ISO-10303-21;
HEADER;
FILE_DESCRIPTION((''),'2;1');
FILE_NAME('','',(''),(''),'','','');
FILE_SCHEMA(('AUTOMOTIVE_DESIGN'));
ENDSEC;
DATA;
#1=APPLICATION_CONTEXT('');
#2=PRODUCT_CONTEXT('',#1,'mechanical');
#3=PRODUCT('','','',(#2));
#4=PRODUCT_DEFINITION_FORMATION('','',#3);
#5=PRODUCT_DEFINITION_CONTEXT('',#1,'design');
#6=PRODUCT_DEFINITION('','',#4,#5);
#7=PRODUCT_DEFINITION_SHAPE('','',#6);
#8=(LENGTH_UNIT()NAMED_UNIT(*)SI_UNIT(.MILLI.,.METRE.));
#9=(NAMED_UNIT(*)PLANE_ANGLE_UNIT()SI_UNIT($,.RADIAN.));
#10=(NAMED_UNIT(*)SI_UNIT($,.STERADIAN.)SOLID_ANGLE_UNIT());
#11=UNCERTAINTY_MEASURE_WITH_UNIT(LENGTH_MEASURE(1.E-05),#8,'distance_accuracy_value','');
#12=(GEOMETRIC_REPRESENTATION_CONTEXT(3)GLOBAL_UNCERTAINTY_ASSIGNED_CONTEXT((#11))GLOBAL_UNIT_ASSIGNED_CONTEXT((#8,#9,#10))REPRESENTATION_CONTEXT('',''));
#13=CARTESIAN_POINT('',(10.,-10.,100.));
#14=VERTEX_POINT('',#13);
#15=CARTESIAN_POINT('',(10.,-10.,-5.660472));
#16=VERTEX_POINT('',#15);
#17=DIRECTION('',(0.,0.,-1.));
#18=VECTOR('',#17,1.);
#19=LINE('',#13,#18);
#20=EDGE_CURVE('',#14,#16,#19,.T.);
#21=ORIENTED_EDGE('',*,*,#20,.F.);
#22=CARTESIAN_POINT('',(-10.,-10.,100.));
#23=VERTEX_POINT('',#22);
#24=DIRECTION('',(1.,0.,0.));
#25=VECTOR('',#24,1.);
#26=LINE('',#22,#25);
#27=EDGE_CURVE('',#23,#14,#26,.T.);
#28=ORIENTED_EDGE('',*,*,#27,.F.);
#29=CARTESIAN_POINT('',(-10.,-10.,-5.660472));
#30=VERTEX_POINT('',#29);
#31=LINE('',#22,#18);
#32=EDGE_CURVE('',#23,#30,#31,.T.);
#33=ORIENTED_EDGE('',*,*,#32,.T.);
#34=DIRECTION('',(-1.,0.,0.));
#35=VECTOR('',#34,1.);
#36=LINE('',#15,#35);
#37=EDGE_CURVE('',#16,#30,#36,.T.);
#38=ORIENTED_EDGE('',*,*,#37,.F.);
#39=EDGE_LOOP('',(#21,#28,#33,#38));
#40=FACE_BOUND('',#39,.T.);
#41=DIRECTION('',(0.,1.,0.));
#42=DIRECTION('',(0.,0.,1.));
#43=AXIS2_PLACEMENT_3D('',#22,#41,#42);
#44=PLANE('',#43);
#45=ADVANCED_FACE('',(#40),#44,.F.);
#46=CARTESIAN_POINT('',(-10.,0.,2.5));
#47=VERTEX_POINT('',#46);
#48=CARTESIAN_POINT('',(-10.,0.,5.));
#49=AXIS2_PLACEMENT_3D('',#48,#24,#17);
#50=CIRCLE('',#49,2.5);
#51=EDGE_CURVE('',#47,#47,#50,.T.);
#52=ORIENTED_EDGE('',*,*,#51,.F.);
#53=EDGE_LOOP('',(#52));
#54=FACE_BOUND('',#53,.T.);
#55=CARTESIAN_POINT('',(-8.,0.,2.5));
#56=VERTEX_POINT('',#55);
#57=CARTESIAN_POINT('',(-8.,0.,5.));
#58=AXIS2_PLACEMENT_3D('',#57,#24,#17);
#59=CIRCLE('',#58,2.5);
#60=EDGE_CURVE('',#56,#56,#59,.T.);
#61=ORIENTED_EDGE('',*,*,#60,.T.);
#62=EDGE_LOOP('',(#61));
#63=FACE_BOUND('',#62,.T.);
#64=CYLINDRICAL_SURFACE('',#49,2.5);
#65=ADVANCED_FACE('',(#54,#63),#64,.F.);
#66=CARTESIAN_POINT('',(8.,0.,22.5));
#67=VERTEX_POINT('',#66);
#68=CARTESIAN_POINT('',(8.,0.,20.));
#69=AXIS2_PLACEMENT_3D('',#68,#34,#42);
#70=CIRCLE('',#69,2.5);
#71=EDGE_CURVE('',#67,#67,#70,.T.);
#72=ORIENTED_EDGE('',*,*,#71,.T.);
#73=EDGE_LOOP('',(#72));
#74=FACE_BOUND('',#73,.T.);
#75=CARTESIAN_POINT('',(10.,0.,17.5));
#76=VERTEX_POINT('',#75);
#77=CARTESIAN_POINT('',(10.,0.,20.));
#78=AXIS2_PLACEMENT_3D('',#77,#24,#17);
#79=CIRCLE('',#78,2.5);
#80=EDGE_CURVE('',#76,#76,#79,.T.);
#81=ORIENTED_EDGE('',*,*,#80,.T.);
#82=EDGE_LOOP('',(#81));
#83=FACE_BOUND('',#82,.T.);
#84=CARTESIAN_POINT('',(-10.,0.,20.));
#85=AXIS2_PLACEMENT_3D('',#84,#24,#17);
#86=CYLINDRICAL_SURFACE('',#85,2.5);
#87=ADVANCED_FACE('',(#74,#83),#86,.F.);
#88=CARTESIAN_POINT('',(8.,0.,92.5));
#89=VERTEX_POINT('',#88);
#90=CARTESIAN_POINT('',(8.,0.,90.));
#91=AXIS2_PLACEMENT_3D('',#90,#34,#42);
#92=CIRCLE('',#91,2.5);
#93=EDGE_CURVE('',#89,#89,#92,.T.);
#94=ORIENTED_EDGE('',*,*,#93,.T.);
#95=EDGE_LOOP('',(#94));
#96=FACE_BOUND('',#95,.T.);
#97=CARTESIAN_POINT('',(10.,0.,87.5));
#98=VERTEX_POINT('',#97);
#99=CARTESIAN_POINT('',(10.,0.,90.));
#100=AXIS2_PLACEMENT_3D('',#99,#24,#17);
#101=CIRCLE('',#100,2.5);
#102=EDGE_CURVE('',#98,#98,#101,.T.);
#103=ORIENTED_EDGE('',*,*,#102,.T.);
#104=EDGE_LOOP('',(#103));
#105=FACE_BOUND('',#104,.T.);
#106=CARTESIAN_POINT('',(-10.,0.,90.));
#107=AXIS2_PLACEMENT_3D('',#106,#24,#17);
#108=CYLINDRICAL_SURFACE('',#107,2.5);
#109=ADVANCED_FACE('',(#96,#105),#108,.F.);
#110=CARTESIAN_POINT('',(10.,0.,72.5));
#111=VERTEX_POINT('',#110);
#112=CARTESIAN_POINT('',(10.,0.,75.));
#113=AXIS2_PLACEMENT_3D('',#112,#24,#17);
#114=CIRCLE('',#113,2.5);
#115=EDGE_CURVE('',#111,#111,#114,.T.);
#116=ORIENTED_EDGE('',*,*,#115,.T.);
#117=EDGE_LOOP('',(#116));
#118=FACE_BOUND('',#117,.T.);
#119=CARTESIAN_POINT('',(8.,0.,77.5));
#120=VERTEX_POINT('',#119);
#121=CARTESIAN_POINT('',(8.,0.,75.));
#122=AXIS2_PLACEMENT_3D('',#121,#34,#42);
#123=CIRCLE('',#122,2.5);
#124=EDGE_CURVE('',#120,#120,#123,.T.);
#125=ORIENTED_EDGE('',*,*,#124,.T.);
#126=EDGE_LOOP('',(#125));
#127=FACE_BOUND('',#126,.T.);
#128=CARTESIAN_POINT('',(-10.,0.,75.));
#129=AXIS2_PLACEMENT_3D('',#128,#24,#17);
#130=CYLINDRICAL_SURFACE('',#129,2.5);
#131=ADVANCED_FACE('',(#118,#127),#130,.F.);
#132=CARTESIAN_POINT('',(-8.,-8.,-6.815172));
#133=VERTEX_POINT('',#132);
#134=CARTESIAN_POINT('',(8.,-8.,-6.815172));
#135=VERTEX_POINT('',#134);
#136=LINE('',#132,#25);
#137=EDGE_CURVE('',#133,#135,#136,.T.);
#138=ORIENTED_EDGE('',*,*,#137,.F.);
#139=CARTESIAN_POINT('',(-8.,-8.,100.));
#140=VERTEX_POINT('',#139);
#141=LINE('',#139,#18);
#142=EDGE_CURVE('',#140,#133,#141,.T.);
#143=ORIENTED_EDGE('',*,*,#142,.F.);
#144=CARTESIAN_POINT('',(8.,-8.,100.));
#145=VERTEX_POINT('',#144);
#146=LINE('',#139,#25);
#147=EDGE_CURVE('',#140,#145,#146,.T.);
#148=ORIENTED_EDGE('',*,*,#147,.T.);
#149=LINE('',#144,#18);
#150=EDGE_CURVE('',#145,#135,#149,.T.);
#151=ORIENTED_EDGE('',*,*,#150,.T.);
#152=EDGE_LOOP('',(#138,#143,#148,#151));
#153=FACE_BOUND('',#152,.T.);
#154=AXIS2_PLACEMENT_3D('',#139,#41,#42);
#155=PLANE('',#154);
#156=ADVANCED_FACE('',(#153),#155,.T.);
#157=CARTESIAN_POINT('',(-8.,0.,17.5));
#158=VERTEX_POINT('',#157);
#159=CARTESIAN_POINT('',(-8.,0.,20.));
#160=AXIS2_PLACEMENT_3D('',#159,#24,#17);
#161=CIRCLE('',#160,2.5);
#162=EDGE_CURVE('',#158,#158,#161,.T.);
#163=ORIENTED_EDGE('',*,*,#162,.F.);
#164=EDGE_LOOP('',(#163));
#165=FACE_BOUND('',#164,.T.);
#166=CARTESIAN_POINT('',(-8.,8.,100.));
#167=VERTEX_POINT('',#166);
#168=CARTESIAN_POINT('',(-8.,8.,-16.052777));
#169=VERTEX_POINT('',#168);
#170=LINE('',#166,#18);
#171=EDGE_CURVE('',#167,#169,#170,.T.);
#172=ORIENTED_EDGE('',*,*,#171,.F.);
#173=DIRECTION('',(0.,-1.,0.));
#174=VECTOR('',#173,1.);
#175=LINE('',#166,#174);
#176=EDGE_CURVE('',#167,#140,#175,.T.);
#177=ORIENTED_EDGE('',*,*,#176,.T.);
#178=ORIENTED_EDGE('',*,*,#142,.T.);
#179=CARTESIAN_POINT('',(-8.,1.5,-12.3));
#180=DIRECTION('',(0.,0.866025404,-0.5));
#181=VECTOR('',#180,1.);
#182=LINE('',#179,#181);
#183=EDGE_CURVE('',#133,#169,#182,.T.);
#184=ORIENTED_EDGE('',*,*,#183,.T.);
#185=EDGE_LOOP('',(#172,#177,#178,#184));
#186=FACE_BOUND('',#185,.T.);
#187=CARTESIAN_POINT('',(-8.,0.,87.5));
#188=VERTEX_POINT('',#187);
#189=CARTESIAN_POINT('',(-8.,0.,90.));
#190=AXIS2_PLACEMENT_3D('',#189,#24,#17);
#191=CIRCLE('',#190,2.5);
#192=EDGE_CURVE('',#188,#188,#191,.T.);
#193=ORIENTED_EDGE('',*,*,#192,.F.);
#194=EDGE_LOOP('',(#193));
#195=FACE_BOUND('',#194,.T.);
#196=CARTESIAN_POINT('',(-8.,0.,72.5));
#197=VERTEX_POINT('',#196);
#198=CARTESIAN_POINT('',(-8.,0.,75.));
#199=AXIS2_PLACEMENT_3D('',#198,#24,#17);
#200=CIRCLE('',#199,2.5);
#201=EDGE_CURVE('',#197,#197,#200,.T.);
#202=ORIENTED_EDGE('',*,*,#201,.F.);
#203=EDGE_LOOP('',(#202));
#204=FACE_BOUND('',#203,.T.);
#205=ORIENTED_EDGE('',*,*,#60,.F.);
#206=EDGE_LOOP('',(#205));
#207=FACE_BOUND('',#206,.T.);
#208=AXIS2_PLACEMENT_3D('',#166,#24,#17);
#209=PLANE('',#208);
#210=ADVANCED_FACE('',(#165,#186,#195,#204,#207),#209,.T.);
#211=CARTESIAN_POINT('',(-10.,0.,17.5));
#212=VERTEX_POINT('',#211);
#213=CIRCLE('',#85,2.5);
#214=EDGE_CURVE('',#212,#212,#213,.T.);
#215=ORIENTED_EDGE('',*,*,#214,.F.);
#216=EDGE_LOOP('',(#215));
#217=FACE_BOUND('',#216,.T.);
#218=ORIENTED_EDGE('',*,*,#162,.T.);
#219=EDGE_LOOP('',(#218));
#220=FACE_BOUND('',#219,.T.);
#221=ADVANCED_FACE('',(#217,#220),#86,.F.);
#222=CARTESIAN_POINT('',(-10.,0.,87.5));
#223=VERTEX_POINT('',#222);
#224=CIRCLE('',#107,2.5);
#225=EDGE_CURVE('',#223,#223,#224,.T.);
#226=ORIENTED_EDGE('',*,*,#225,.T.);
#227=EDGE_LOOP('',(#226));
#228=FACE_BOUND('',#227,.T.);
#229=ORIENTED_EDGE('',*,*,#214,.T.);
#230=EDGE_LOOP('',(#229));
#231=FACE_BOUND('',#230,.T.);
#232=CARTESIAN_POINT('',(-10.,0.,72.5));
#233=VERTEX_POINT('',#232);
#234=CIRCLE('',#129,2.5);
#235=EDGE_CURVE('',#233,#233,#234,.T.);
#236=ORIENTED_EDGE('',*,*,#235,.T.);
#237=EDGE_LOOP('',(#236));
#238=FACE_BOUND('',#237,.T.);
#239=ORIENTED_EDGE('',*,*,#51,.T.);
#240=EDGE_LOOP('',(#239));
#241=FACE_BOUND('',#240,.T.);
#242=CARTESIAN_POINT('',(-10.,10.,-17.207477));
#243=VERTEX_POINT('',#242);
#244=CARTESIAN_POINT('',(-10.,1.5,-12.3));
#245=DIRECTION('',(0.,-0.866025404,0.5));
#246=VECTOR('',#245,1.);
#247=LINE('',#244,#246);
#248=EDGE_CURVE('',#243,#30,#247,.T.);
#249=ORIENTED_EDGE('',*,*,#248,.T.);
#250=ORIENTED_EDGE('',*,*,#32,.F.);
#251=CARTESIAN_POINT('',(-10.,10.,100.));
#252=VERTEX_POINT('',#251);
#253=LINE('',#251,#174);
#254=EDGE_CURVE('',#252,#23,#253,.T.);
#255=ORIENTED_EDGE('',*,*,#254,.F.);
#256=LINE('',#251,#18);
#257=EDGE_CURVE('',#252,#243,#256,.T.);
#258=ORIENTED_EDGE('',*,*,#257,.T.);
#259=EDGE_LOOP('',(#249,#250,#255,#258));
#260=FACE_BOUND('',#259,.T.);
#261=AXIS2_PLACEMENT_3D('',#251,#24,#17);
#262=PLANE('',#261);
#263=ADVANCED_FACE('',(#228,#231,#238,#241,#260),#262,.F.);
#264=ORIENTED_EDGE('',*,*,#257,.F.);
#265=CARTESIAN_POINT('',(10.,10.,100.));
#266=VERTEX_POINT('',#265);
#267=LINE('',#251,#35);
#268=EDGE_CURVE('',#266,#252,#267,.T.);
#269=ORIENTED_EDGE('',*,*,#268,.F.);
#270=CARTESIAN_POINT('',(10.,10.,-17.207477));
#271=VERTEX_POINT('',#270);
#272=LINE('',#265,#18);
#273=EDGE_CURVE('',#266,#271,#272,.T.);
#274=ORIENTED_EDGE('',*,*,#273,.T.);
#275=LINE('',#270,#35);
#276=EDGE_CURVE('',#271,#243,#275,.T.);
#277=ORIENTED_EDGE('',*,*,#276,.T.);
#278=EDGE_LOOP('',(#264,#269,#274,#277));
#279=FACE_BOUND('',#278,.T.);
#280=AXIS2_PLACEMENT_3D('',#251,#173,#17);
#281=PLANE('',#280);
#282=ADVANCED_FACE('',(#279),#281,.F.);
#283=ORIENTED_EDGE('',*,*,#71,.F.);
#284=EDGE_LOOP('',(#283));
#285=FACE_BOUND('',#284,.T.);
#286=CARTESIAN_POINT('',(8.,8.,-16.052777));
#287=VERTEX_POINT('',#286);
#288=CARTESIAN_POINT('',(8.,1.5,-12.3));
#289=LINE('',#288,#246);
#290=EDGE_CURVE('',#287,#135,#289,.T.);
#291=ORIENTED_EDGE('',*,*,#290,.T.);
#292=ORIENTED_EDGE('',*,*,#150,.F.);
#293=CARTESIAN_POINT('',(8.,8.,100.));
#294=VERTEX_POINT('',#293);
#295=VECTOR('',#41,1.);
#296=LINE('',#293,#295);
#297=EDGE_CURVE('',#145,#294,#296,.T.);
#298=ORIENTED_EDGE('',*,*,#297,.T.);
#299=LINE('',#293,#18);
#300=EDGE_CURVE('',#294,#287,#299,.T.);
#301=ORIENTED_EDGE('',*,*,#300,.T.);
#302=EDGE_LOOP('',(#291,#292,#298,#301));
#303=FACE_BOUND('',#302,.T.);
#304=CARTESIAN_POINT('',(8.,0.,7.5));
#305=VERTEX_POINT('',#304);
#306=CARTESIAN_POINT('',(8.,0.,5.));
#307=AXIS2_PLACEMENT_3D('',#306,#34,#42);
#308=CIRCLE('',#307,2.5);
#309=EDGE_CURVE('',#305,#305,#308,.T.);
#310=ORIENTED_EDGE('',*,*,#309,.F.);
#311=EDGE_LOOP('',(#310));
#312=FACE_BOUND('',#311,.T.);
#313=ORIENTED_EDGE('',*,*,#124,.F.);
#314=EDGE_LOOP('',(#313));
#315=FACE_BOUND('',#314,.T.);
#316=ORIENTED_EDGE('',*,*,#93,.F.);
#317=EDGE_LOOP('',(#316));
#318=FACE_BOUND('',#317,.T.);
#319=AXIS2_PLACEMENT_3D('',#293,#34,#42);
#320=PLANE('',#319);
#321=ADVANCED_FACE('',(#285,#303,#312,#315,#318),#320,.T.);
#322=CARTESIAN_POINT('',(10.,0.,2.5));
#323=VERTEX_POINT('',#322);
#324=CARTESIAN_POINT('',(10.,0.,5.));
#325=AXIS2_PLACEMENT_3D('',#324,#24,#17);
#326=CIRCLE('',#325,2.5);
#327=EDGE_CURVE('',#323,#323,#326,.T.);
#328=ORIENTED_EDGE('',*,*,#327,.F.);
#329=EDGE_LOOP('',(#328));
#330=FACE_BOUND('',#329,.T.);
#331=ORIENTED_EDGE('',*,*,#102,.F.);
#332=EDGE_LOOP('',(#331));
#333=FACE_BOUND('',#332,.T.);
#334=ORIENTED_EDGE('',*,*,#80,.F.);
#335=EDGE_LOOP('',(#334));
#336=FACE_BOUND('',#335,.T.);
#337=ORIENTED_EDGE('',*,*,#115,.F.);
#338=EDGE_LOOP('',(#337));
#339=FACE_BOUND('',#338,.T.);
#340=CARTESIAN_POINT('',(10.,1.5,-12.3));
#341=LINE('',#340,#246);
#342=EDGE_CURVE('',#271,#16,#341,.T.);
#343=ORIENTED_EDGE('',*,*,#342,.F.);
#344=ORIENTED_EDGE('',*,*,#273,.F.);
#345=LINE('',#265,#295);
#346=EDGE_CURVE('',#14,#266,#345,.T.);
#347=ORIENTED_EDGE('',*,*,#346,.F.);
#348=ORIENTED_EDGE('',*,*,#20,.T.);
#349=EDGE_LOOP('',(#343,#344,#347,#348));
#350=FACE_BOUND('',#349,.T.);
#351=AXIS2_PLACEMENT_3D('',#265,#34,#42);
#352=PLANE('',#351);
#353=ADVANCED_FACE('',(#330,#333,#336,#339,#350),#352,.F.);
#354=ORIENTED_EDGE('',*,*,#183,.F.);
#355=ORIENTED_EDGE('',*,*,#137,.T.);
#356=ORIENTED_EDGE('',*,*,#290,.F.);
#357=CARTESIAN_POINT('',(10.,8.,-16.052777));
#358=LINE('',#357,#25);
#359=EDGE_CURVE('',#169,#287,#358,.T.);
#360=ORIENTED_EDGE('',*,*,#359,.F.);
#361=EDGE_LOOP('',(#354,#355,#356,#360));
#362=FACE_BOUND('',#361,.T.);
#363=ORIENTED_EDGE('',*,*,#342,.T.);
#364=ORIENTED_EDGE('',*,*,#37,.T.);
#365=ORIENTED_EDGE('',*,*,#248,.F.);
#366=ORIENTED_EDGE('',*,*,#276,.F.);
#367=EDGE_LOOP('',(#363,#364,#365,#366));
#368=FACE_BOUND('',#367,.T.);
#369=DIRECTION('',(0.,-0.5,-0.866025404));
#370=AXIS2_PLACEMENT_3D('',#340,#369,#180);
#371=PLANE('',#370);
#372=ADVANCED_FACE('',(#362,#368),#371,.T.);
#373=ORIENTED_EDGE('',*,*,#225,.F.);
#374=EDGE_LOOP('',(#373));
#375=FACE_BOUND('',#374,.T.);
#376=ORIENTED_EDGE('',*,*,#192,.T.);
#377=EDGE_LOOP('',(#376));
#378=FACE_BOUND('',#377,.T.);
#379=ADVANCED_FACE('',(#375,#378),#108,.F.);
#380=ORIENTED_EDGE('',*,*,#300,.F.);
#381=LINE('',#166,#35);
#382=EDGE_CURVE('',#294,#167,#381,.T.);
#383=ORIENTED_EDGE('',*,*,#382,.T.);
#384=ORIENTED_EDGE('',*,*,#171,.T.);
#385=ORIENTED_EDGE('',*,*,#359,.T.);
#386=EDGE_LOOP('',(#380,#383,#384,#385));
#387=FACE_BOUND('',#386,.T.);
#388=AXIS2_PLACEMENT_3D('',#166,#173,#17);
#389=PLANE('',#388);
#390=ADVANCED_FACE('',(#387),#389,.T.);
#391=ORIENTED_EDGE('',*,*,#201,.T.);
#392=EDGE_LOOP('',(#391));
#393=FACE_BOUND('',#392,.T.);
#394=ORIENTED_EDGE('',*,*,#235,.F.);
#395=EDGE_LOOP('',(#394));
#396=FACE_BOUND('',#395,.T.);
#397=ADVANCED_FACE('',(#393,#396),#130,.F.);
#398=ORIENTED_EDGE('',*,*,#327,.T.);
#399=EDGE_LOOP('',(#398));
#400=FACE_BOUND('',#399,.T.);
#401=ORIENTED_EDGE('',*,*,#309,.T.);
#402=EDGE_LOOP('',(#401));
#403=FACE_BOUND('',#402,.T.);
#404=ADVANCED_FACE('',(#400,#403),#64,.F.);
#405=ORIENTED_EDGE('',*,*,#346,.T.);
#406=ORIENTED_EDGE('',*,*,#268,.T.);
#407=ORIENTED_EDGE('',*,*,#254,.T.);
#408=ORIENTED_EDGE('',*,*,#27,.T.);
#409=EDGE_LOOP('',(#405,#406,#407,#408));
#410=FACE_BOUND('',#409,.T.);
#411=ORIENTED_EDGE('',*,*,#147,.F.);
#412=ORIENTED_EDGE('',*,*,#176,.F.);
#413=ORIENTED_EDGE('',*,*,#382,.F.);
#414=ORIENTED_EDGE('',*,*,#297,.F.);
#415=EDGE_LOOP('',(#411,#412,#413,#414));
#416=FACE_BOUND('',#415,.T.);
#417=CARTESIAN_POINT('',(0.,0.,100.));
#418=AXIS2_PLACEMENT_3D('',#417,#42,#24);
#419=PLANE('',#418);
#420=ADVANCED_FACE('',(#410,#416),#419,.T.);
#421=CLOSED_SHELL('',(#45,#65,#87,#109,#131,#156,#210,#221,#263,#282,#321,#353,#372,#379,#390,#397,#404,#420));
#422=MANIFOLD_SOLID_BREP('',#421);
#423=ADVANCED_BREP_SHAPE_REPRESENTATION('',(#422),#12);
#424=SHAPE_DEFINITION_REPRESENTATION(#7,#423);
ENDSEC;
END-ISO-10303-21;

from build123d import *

# Parameters (mm, degrees)
SKETCH1_W           = 20
SKETCH1_H           = 20
SKETCH1_W_2         = 16
SKETCH1_H_2         = 16
BOSS_EXTRUDE1_DEPTH = 100
SKETCH4_R           = 2.5
CUT_EXTRUDE2_DEPTH  = 103.46950766
SKETCH5_W           = 20
SKETCH5_H           = 20
SKETCH5_W_2         = 16
SKETCH5_H_2         = 16
BOSS_EXTRUDE2_DEPTH = 12.3
BOSS_EXTRUDE3_DEPTH = 20
SKETCH7_W           = 16
SKETCH7_H           = 16
CUT_EXTRUDE3_DEPTH  = 114.186969215
CUT_EXTRUDE4_DEPTH  = 103.46950766


with BuildPart() as part:
    # Sketch1 → Boss-Extrude1 (new body)
    with BuildSketch(Plane.XY):
        Rectangle(SKETCH1_W, SKETCH1_H)
        Rectangle(SKETCH1_W_2, SKETCH1_H_2, mode=Mode.SUBTRACT)
    extrude(amount=BOSS_EXTRUDE1_DEPTH)

    # Sketch4 → Cut-Extrude2 (cut, through all)
    with BuildSketch(Plane(origin=(10, 0, 0), x_dir=(0, 0, -1), z_dir=(1, 0, 0))):
        with Locations((-90, 0)):
            Circle(SKETCH4_R)
        with Locations((-75, 0)):
            Circle(SKETCH4_R)
        with Locations((-5, 0)):
            Circle(SKETCH4_R)
        with Locations((-20, 0)):
            Circle(SKETCH4_R)
    extrude(amount=-CUT_EXTRUDE2_DEPTH, mode=Mode.SUBTRACT)

    # Sketch5 → Boss-Extrude2 (add)
    with BuildSketch(Plane(origin=(0, 0, 0), x_dir=(-1, 0, 0), z_dir=(0, 0, -1))):
        Rectangle(SKETCH5_W, SKETCH5_H)
        Rectangle(SKETCH5_W_2, SKETCH5_H_2, mode=Mode.SUBTRACT)
    extrude(amount=BOSS_EXTRUDE2_DEPTH)

    # Sketch6 → Boss-Extrude3 (add)
    with BuildSketch(Plane.ZY.offset(10)):
        Polygon((-12.3, 10), (-12.3, 1.5), (-17.207477288, 10), align=None)
    extrude(amount=-BOSS_EXTRUDE3_DEPTH)

    # Sketch7 → Cut-Extrude3 (cut, through all)
    with BuildSketch(Plane.XY.offset(-12.3)):
        Rectangle(SKETCH7_W, SKETCH7_H)
    extrude(amount=-CUT_EXTRUDE3_DEPTH, mode=Mode.SUBTRACT)

    # Sketch8 → Cut-Extrude4 (cut, through all)
    with BuildSketch(Plane.ZY.offset(10)):
        Polygon((-17.207477288, 10), (-5.660471904, -10), (-17.207477288, -10), align=None)
    extrude(amount=-CUT_EXTRUDE4_DEPTH, mode=Mode.SUBTRACT)


solid = part.part
